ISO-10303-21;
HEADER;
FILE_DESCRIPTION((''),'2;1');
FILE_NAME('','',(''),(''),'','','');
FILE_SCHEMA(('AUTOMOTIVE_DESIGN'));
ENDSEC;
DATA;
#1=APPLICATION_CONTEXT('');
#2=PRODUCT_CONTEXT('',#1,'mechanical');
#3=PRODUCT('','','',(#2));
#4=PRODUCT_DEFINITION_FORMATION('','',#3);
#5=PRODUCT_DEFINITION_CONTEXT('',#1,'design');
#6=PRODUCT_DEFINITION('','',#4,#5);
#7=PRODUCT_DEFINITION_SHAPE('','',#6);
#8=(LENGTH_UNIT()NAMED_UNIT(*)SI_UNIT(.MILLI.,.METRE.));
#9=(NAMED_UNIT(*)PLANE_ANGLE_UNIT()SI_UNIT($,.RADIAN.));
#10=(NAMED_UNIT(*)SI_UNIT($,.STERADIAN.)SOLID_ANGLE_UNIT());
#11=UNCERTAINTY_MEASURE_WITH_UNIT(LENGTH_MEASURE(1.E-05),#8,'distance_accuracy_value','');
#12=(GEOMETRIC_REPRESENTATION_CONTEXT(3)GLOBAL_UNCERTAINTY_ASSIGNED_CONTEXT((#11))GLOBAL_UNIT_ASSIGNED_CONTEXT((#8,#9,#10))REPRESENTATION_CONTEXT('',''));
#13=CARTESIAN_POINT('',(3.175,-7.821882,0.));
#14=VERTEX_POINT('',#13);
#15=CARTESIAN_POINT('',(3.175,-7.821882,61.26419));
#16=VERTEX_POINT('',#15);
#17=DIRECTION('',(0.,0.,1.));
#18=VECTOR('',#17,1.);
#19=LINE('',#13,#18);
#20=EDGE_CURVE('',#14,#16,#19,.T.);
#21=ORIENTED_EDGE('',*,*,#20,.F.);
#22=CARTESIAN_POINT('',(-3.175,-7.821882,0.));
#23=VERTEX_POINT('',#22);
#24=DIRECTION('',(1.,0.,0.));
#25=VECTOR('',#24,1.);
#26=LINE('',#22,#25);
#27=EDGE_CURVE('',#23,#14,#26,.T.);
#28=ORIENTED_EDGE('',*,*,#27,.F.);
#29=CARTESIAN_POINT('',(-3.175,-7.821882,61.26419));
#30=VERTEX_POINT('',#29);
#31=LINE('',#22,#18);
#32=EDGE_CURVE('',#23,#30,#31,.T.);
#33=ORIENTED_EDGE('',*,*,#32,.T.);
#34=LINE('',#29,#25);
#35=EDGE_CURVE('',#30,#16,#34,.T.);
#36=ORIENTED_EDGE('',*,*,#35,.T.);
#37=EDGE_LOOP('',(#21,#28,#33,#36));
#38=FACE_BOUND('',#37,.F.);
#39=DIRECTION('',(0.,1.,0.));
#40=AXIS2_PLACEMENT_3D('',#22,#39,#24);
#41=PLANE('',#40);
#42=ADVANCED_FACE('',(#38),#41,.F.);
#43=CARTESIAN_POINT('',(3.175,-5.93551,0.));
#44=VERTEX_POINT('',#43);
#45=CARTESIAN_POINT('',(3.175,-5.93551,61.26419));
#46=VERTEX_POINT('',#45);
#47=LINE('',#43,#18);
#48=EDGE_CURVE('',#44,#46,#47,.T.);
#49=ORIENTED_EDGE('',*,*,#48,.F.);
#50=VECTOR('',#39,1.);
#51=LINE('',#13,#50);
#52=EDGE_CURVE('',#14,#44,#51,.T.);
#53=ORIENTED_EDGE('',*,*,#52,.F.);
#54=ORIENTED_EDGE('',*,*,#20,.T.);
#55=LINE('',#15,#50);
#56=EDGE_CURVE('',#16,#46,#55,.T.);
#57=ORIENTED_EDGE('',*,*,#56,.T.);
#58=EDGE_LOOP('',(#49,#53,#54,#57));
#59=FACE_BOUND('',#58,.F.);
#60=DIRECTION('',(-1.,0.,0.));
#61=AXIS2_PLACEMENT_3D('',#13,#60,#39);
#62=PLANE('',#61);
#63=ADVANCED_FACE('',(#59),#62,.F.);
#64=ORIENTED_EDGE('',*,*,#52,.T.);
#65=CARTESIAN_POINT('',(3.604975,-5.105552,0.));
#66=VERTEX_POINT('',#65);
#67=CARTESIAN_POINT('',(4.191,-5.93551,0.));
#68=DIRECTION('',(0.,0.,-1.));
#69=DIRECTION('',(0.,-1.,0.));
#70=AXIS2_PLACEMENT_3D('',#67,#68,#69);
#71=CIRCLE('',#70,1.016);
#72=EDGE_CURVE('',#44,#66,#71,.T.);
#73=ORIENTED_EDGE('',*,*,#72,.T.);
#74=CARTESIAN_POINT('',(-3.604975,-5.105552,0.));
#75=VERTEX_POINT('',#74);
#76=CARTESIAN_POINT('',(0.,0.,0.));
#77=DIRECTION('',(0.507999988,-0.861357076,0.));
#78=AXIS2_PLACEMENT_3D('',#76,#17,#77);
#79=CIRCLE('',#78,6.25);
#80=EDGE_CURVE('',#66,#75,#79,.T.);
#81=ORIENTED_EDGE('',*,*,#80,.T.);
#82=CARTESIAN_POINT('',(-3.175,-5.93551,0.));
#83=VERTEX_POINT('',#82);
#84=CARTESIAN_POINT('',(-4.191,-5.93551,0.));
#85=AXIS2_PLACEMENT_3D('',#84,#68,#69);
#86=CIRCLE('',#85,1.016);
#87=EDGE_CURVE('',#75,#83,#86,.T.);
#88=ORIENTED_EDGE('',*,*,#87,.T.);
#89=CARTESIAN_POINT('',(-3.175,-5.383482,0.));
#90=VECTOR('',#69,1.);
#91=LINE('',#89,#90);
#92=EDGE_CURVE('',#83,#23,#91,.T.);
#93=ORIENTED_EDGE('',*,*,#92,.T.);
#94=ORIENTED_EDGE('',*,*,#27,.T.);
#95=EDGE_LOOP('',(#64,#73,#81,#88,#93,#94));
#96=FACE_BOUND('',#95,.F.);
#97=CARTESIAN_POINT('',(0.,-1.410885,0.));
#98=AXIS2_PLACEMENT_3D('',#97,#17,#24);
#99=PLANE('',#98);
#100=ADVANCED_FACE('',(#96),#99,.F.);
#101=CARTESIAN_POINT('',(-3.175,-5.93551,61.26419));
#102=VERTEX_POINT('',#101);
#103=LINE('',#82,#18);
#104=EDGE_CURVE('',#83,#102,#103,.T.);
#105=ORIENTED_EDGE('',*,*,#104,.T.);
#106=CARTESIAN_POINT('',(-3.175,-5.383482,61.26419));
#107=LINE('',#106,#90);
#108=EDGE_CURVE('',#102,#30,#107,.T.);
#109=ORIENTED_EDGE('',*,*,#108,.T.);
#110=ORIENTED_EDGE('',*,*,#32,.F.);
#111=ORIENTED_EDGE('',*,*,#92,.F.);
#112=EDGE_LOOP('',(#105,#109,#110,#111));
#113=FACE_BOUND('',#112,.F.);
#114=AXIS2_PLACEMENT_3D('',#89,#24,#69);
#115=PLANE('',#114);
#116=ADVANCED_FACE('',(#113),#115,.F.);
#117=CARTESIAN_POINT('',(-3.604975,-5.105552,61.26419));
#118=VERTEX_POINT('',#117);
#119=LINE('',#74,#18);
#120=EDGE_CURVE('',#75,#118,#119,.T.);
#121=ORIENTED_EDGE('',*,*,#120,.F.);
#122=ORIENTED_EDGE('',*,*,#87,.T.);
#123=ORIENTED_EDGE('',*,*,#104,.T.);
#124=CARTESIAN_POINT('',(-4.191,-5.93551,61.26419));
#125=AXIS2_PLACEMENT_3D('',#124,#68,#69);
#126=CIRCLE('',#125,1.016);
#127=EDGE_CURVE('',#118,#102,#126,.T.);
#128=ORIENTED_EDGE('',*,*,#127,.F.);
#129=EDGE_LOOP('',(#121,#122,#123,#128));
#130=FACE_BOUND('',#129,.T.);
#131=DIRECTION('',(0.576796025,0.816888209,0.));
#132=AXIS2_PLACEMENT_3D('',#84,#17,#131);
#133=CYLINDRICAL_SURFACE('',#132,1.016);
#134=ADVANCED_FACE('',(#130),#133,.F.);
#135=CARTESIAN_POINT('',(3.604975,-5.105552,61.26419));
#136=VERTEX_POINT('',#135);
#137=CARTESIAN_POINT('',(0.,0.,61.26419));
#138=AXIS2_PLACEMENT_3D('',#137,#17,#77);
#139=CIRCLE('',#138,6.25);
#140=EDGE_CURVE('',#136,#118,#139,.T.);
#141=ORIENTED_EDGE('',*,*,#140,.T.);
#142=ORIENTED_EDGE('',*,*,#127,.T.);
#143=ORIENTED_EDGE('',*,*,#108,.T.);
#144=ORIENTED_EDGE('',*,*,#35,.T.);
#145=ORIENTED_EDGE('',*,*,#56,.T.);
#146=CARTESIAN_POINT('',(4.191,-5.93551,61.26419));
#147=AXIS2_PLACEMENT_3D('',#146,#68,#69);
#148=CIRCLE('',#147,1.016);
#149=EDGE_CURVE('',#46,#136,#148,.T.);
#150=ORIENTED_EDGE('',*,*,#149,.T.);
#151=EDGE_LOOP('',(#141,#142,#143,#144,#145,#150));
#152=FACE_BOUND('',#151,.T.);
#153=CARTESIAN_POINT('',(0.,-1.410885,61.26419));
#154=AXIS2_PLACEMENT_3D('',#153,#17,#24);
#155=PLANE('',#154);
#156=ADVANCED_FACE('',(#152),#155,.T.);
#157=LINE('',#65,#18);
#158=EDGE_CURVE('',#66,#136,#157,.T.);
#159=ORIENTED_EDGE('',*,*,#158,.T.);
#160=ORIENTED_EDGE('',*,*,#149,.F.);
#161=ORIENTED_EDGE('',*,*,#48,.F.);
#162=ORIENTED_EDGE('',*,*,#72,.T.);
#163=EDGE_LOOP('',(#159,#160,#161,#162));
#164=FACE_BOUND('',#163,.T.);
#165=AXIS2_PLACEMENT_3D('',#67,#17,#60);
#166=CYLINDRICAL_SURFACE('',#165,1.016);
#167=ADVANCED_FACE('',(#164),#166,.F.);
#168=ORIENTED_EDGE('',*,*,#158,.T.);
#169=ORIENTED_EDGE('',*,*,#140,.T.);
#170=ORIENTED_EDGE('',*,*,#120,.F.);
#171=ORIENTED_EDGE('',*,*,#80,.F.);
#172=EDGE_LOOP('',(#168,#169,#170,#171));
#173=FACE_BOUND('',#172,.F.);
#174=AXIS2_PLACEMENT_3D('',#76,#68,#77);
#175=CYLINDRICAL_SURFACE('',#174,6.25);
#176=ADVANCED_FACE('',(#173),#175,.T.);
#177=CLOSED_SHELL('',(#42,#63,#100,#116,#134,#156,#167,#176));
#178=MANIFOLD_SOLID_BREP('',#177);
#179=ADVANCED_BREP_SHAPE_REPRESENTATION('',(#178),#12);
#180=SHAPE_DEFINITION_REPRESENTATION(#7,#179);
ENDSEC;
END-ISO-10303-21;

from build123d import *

# Parameters (mm, degrees)
F1_DEPTH = 61.26419
F2_R     = 1.016


with BuildPart() as f1:
    # F0 (on Top) → F1 (new body)
    with BuildSketch(Plane.XY):
        with BuildLine():
            Line((-3.175, -7.821882), (3.175, -7.821882))
            Line((3.175, -7.821882), (3.175, -5.383482))
            ThreePointArc((3.175, -5.383482), (0, 6.25), (-3.175, -5.383482))
            Line((-3.175, -5.383482), (-3.175, -7.821882))
        make_face()
    extrude(amount=F1_DEPTH)

    # F2
    f2_edges = [f1.edges().sort_by_distance(p)[0] for p in [
        (-3.175, -5.383482, 30.632095),
        (3.175, -5.383482, 30.632095),
    ]]
    fillet(f2_edges, radius=F2_R)


solid = f1.part
